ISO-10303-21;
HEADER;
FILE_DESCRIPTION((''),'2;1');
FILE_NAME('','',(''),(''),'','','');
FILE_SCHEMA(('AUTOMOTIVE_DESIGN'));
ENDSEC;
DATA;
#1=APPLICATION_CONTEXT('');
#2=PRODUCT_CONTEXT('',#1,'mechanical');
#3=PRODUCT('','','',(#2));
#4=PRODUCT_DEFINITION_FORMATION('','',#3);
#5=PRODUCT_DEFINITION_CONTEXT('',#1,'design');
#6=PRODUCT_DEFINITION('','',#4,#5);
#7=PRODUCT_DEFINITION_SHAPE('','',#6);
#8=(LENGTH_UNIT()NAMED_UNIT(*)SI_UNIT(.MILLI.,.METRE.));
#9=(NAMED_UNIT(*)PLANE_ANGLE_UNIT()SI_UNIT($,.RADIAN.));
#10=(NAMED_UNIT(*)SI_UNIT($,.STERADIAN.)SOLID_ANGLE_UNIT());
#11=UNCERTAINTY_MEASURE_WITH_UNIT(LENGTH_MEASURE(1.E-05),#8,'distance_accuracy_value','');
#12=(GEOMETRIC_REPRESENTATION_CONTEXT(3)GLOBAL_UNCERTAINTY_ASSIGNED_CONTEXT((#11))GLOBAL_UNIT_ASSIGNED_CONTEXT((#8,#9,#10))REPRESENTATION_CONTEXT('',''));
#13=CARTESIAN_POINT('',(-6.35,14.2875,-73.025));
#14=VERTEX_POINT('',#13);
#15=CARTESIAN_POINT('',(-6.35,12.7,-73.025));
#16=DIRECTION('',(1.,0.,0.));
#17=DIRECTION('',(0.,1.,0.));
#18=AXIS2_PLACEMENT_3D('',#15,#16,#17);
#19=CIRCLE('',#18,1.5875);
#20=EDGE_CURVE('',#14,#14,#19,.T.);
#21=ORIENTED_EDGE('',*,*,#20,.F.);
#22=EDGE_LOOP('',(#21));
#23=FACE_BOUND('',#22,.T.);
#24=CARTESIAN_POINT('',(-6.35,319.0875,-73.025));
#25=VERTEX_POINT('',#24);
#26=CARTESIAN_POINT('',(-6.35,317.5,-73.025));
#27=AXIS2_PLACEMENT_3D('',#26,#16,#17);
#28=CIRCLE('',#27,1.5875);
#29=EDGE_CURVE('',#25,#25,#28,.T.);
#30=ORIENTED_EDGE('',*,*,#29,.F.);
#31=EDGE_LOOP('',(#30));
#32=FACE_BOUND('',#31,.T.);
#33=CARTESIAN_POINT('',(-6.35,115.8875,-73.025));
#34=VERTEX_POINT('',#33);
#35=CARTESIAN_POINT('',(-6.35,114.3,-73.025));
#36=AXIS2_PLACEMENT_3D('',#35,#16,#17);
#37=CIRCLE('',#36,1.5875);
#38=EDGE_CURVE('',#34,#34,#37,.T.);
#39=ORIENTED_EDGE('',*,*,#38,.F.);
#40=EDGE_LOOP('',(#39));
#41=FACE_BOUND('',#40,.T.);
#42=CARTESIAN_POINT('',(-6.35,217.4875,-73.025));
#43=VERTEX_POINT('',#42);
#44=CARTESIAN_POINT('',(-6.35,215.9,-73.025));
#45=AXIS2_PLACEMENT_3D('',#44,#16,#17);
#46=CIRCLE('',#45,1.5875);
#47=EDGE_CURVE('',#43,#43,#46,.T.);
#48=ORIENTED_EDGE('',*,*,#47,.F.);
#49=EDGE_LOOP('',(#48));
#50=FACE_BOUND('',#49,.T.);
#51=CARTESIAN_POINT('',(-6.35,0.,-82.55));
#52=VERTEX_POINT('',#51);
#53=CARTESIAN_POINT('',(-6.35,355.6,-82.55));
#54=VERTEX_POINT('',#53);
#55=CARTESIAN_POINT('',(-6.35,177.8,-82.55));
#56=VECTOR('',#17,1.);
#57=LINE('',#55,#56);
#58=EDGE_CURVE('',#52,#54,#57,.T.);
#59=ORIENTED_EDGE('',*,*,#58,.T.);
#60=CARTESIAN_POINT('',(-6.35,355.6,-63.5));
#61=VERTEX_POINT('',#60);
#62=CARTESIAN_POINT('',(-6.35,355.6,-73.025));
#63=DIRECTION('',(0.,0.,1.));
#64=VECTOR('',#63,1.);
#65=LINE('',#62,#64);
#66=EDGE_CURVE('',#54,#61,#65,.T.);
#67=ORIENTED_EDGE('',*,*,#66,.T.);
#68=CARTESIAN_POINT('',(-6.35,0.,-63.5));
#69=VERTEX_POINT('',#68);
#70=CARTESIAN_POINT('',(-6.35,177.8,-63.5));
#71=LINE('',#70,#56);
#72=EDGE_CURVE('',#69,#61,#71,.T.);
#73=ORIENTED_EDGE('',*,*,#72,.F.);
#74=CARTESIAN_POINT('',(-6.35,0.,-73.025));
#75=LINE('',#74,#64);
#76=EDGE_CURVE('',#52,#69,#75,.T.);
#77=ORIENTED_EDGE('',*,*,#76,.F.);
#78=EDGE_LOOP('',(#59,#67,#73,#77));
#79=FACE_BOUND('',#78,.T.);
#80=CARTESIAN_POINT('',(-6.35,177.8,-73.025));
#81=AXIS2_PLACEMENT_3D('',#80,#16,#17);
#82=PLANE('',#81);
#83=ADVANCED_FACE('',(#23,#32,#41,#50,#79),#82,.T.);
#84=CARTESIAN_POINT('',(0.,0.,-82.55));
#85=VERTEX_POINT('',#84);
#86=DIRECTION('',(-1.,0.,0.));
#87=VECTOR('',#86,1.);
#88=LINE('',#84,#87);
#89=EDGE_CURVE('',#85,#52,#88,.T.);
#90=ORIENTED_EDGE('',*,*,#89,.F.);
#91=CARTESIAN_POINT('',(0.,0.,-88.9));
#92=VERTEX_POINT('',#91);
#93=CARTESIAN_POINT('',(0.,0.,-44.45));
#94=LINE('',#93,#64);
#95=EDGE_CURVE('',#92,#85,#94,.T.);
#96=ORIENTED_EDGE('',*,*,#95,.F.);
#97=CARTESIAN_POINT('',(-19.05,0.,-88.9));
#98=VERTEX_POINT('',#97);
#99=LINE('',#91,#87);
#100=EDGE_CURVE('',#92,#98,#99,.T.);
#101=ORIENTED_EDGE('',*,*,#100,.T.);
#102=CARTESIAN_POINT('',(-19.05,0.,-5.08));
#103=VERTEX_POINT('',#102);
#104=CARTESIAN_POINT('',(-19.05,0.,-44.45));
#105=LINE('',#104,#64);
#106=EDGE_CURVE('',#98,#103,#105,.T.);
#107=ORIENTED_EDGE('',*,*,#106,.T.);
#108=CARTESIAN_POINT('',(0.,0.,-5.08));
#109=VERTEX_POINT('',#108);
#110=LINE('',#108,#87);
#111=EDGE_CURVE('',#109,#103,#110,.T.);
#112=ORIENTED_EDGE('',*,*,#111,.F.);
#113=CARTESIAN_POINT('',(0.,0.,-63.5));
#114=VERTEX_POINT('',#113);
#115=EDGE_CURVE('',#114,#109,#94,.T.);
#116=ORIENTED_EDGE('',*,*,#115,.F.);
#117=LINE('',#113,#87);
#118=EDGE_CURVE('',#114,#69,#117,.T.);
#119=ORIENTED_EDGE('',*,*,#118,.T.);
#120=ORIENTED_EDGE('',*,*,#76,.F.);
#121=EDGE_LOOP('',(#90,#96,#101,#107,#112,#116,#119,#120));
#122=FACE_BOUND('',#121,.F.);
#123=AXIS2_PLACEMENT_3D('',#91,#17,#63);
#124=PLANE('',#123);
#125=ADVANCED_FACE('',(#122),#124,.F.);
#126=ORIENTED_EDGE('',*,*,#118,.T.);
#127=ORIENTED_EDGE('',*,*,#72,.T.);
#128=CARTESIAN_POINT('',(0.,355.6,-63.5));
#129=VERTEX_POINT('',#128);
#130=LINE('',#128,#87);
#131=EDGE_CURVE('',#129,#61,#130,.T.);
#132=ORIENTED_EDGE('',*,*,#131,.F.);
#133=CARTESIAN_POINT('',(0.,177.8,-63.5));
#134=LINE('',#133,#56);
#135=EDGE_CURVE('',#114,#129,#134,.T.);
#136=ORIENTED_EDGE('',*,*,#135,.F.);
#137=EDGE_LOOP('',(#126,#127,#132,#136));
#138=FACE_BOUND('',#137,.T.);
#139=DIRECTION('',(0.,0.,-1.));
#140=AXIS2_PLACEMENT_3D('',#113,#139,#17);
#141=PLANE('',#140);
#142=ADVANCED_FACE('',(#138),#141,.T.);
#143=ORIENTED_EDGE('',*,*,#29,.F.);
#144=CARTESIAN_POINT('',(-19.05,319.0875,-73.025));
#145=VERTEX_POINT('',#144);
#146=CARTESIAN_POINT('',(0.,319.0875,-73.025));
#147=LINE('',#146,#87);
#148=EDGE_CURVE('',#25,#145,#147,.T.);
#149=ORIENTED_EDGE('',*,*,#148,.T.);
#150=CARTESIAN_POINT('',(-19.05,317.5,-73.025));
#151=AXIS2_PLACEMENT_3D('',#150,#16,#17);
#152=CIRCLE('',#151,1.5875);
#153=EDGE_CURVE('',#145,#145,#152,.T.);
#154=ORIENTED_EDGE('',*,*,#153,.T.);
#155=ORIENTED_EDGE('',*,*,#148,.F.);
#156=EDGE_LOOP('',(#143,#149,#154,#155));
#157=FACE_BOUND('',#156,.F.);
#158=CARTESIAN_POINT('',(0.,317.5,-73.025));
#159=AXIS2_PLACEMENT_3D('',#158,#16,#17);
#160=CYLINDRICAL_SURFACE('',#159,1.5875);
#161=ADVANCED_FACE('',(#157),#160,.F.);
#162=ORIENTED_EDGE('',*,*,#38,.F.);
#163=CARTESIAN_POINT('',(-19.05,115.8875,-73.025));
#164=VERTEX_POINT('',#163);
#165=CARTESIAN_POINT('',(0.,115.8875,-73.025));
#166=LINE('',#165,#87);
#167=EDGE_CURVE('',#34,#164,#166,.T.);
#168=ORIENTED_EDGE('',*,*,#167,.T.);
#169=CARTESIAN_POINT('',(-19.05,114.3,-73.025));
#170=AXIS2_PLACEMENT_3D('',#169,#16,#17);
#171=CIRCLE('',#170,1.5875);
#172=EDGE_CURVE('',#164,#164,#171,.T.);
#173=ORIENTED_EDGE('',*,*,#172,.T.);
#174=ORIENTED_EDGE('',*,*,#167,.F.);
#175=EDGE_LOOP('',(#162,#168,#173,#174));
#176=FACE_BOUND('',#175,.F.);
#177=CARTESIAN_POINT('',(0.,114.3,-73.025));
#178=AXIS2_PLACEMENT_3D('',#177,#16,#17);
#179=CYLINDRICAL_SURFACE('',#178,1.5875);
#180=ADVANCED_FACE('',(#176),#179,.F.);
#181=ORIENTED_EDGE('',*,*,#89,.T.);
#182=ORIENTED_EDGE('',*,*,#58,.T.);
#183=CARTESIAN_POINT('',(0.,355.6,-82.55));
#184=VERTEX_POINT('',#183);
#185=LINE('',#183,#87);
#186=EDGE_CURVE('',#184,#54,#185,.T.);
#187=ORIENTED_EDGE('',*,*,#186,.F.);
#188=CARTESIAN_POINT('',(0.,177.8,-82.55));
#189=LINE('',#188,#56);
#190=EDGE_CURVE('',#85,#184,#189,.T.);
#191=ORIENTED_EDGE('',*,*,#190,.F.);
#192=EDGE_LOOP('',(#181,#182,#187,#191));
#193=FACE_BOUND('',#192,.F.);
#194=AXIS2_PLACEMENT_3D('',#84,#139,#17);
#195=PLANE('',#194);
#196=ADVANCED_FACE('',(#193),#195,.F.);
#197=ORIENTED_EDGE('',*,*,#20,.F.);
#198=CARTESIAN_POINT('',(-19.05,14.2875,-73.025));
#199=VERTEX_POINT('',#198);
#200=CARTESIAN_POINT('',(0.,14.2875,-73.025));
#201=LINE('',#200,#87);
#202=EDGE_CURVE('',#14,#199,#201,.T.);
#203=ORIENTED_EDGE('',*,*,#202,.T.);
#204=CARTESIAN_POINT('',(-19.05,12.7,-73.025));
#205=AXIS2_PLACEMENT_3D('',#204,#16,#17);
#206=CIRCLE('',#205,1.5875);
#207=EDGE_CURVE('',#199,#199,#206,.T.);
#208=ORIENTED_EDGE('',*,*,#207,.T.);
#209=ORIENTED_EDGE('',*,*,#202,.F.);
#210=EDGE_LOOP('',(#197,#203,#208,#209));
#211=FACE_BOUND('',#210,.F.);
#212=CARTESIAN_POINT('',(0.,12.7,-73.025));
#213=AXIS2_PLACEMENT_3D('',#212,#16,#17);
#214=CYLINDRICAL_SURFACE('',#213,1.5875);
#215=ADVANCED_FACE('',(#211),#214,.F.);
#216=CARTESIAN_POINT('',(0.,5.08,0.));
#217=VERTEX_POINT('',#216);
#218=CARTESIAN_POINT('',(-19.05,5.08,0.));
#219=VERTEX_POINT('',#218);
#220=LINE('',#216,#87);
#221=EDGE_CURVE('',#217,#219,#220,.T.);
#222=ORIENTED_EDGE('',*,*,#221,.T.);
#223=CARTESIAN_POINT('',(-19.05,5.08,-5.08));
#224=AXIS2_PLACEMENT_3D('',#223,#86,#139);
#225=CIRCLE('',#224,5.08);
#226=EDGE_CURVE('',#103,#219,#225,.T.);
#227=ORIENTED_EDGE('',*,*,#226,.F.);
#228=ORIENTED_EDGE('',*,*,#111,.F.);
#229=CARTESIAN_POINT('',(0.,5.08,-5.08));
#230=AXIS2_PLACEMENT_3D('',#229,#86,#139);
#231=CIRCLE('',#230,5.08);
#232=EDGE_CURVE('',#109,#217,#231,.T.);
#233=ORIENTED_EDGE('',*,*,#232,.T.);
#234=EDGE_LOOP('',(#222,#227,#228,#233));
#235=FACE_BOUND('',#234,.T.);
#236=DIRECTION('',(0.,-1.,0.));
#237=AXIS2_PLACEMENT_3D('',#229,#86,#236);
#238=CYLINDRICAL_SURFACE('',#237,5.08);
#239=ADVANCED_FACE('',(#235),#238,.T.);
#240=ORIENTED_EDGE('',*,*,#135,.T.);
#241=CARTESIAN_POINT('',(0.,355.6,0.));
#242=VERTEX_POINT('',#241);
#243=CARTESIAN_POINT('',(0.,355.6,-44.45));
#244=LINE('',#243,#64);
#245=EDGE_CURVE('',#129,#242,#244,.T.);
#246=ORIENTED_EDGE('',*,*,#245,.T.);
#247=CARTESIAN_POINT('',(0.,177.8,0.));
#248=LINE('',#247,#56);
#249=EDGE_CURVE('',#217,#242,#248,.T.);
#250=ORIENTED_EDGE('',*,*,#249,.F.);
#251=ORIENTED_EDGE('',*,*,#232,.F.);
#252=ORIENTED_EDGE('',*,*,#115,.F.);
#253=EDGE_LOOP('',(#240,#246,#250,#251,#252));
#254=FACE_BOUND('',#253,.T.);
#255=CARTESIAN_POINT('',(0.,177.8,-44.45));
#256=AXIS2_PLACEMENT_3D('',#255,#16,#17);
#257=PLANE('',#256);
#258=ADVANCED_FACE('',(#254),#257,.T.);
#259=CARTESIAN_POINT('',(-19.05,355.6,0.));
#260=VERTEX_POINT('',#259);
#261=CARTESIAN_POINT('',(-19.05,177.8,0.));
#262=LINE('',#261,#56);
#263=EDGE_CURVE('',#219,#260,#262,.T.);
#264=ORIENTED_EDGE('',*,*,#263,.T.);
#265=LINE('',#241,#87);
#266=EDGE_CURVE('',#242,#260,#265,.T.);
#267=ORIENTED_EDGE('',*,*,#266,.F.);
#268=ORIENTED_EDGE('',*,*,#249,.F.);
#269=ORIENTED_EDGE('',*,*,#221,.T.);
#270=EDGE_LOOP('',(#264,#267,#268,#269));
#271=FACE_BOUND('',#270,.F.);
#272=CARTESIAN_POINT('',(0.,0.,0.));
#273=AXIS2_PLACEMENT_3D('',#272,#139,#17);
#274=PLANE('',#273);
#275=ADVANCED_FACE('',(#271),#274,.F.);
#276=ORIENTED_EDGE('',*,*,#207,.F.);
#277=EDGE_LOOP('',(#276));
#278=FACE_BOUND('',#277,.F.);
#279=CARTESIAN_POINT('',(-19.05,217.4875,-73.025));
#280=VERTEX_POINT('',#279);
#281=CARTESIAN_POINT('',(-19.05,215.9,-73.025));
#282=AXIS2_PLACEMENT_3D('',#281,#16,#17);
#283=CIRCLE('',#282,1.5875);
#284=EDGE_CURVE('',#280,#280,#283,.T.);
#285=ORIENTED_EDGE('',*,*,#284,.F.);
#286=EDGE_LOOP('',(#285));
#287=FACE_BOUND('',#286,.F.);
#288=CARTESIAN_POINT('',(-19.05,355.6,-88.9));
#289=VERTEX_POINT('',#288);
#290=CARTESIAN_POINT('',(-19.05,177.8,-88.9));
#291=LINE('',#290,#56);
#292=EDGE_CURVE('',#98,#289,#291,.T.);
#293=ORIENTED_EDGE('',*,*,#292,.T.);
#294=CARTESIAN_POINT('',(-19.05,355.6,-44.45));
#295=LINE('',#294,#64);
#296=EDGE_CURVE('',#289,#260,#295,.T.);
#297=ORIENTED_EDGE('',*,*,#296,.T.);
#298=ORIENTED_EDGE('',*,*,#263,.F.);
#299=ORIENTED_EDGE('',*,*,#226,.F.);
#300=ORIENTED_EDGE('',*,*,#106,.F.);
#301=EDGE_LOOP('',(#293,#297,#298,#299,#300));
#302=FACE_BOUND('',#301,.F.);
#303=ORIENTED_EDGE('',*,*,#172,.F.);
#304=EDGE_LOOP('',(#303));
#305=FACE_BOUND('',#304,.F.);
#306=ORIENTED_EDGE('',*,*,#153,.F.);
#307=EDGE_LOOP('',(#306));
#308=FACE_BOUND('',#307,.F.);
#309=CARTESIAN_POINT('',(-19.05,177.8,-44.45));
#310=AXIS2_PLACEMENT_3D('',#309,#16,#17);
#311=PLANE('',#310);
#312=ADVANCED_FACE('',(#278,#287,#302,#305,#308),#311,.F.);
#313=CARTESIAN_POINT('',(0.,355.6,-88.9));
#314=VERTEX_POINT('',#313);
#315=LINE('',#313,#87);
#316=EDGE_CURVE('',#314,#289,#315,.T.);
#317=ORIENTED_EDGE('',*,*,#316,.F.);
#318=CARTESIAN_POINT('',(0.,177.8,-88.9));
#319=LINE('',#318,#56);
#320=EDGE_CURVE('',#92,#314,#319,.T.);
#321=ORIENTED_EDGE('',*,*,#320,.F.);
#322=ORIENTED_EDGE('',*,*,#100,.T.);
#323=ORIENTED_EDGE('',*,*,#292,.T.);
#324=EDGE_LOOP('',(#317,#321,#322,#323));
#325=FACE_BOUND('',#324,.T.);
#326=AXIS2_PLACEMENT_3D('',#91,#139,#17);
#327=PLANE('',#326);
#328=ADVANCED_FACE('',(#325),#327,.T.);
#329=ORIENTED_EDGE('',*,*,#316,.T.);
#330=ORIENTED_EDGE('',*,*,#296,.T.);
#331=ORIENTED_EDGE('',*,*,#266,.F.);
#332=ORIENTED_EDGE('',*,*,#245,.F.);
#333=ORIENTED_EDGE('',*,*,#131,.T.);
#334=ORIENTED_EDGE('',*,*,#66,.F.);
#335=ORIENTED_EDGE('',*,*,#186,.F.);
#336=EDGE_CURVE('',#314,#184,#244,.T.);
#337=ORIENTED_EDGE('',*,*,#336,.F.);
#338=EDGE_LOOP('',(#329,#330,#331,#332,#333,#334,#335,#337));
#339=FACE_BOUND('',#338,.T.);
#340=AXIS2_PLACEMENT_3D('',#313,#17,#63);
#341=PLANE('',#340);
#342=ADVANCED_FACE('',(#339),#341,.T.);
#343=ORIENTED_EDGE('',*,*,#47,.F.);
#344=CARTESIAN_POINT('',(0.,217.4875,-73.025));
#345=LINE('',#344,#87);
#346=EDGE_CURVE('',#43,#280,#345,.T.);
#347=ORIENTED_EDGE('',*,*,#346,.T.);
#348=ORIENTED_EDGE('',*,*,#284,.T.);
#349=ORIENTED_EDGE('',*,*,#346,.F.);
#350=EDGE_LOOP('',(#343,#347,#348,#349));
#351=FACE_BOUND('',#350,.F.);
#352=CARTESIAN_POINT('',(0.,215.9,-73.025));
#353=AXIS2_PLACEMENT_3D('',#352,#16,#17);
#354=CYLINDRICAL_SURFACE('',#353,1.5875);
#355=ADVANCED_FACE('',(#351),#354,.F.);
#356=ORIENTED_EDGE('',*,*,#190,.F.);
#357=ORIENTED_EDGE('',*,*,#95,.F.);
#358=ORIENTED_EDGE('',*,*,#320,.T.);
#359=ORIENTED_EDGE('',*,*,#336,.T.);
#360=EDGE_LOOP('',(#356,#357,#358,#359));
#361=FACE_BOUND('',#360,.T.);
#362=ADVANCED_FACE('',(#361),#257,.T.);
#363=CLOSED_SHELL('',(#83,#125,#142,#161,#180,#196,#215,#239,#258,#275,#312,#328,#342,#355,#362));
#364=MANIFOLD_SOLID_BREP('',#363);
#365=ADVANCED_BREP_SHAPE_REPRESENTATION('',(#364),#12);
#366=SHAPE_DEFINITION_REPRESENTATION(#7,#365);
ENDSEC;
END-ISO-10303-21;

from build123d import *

# Parameters (mm, degrees)
F0_W     = 355.6
F0_H     = 88.9
F1_DEPTH = 19.05
F2_W     = 355.6
F2_H     = 19.05
F3_DEPTH = 6.35
F4_R     = 5.08
F5_R     = 1.5875
F6_DEPTH = 19.051


with BuildPart() as f1:
    # F0 (on Right) → F1 (new body)
    with BuildSketch(Plane.YZ):
        with Locations((177.8, -44.45)):
            Rectangle(F0_W, F0_H)
    extrude(amount=-F1_DEPTH)

    # F2 (on Right) → F3 (cut)
    with BuildSketch(Plane.YZ):
        with Locations((177.8, -73.025)):
            Rectangle(F2_W, F2_H)
    extrude(amount=-F3_DEPTH, mode=Mode.SUBTRACT)

    # F4
    f4_edges = [f1.edges().sort_by_distance(p)[0] for p in [
        (-9.525, 0, 0),
    ]]
    fillet(f4_edges, radius=F4_R)

    # F5 (on Right) → F6 (cut, through all)
    with BuildSketch(Plane.YZ):
        with Locations((12.7, -73.025)):
            Circle(F5_R)
        with Locations((114.3, -73.025)):
            Circle(F5_R)
        with Locations((215.9, -73.025)):
            Circle(F5_R)
        with Locations((317.5, -73.025)):
            Circle(F5_R)
    extrude(amount=-F6_DEPTH, mode=Mode.SUBTRACT)


solid = f1.part
